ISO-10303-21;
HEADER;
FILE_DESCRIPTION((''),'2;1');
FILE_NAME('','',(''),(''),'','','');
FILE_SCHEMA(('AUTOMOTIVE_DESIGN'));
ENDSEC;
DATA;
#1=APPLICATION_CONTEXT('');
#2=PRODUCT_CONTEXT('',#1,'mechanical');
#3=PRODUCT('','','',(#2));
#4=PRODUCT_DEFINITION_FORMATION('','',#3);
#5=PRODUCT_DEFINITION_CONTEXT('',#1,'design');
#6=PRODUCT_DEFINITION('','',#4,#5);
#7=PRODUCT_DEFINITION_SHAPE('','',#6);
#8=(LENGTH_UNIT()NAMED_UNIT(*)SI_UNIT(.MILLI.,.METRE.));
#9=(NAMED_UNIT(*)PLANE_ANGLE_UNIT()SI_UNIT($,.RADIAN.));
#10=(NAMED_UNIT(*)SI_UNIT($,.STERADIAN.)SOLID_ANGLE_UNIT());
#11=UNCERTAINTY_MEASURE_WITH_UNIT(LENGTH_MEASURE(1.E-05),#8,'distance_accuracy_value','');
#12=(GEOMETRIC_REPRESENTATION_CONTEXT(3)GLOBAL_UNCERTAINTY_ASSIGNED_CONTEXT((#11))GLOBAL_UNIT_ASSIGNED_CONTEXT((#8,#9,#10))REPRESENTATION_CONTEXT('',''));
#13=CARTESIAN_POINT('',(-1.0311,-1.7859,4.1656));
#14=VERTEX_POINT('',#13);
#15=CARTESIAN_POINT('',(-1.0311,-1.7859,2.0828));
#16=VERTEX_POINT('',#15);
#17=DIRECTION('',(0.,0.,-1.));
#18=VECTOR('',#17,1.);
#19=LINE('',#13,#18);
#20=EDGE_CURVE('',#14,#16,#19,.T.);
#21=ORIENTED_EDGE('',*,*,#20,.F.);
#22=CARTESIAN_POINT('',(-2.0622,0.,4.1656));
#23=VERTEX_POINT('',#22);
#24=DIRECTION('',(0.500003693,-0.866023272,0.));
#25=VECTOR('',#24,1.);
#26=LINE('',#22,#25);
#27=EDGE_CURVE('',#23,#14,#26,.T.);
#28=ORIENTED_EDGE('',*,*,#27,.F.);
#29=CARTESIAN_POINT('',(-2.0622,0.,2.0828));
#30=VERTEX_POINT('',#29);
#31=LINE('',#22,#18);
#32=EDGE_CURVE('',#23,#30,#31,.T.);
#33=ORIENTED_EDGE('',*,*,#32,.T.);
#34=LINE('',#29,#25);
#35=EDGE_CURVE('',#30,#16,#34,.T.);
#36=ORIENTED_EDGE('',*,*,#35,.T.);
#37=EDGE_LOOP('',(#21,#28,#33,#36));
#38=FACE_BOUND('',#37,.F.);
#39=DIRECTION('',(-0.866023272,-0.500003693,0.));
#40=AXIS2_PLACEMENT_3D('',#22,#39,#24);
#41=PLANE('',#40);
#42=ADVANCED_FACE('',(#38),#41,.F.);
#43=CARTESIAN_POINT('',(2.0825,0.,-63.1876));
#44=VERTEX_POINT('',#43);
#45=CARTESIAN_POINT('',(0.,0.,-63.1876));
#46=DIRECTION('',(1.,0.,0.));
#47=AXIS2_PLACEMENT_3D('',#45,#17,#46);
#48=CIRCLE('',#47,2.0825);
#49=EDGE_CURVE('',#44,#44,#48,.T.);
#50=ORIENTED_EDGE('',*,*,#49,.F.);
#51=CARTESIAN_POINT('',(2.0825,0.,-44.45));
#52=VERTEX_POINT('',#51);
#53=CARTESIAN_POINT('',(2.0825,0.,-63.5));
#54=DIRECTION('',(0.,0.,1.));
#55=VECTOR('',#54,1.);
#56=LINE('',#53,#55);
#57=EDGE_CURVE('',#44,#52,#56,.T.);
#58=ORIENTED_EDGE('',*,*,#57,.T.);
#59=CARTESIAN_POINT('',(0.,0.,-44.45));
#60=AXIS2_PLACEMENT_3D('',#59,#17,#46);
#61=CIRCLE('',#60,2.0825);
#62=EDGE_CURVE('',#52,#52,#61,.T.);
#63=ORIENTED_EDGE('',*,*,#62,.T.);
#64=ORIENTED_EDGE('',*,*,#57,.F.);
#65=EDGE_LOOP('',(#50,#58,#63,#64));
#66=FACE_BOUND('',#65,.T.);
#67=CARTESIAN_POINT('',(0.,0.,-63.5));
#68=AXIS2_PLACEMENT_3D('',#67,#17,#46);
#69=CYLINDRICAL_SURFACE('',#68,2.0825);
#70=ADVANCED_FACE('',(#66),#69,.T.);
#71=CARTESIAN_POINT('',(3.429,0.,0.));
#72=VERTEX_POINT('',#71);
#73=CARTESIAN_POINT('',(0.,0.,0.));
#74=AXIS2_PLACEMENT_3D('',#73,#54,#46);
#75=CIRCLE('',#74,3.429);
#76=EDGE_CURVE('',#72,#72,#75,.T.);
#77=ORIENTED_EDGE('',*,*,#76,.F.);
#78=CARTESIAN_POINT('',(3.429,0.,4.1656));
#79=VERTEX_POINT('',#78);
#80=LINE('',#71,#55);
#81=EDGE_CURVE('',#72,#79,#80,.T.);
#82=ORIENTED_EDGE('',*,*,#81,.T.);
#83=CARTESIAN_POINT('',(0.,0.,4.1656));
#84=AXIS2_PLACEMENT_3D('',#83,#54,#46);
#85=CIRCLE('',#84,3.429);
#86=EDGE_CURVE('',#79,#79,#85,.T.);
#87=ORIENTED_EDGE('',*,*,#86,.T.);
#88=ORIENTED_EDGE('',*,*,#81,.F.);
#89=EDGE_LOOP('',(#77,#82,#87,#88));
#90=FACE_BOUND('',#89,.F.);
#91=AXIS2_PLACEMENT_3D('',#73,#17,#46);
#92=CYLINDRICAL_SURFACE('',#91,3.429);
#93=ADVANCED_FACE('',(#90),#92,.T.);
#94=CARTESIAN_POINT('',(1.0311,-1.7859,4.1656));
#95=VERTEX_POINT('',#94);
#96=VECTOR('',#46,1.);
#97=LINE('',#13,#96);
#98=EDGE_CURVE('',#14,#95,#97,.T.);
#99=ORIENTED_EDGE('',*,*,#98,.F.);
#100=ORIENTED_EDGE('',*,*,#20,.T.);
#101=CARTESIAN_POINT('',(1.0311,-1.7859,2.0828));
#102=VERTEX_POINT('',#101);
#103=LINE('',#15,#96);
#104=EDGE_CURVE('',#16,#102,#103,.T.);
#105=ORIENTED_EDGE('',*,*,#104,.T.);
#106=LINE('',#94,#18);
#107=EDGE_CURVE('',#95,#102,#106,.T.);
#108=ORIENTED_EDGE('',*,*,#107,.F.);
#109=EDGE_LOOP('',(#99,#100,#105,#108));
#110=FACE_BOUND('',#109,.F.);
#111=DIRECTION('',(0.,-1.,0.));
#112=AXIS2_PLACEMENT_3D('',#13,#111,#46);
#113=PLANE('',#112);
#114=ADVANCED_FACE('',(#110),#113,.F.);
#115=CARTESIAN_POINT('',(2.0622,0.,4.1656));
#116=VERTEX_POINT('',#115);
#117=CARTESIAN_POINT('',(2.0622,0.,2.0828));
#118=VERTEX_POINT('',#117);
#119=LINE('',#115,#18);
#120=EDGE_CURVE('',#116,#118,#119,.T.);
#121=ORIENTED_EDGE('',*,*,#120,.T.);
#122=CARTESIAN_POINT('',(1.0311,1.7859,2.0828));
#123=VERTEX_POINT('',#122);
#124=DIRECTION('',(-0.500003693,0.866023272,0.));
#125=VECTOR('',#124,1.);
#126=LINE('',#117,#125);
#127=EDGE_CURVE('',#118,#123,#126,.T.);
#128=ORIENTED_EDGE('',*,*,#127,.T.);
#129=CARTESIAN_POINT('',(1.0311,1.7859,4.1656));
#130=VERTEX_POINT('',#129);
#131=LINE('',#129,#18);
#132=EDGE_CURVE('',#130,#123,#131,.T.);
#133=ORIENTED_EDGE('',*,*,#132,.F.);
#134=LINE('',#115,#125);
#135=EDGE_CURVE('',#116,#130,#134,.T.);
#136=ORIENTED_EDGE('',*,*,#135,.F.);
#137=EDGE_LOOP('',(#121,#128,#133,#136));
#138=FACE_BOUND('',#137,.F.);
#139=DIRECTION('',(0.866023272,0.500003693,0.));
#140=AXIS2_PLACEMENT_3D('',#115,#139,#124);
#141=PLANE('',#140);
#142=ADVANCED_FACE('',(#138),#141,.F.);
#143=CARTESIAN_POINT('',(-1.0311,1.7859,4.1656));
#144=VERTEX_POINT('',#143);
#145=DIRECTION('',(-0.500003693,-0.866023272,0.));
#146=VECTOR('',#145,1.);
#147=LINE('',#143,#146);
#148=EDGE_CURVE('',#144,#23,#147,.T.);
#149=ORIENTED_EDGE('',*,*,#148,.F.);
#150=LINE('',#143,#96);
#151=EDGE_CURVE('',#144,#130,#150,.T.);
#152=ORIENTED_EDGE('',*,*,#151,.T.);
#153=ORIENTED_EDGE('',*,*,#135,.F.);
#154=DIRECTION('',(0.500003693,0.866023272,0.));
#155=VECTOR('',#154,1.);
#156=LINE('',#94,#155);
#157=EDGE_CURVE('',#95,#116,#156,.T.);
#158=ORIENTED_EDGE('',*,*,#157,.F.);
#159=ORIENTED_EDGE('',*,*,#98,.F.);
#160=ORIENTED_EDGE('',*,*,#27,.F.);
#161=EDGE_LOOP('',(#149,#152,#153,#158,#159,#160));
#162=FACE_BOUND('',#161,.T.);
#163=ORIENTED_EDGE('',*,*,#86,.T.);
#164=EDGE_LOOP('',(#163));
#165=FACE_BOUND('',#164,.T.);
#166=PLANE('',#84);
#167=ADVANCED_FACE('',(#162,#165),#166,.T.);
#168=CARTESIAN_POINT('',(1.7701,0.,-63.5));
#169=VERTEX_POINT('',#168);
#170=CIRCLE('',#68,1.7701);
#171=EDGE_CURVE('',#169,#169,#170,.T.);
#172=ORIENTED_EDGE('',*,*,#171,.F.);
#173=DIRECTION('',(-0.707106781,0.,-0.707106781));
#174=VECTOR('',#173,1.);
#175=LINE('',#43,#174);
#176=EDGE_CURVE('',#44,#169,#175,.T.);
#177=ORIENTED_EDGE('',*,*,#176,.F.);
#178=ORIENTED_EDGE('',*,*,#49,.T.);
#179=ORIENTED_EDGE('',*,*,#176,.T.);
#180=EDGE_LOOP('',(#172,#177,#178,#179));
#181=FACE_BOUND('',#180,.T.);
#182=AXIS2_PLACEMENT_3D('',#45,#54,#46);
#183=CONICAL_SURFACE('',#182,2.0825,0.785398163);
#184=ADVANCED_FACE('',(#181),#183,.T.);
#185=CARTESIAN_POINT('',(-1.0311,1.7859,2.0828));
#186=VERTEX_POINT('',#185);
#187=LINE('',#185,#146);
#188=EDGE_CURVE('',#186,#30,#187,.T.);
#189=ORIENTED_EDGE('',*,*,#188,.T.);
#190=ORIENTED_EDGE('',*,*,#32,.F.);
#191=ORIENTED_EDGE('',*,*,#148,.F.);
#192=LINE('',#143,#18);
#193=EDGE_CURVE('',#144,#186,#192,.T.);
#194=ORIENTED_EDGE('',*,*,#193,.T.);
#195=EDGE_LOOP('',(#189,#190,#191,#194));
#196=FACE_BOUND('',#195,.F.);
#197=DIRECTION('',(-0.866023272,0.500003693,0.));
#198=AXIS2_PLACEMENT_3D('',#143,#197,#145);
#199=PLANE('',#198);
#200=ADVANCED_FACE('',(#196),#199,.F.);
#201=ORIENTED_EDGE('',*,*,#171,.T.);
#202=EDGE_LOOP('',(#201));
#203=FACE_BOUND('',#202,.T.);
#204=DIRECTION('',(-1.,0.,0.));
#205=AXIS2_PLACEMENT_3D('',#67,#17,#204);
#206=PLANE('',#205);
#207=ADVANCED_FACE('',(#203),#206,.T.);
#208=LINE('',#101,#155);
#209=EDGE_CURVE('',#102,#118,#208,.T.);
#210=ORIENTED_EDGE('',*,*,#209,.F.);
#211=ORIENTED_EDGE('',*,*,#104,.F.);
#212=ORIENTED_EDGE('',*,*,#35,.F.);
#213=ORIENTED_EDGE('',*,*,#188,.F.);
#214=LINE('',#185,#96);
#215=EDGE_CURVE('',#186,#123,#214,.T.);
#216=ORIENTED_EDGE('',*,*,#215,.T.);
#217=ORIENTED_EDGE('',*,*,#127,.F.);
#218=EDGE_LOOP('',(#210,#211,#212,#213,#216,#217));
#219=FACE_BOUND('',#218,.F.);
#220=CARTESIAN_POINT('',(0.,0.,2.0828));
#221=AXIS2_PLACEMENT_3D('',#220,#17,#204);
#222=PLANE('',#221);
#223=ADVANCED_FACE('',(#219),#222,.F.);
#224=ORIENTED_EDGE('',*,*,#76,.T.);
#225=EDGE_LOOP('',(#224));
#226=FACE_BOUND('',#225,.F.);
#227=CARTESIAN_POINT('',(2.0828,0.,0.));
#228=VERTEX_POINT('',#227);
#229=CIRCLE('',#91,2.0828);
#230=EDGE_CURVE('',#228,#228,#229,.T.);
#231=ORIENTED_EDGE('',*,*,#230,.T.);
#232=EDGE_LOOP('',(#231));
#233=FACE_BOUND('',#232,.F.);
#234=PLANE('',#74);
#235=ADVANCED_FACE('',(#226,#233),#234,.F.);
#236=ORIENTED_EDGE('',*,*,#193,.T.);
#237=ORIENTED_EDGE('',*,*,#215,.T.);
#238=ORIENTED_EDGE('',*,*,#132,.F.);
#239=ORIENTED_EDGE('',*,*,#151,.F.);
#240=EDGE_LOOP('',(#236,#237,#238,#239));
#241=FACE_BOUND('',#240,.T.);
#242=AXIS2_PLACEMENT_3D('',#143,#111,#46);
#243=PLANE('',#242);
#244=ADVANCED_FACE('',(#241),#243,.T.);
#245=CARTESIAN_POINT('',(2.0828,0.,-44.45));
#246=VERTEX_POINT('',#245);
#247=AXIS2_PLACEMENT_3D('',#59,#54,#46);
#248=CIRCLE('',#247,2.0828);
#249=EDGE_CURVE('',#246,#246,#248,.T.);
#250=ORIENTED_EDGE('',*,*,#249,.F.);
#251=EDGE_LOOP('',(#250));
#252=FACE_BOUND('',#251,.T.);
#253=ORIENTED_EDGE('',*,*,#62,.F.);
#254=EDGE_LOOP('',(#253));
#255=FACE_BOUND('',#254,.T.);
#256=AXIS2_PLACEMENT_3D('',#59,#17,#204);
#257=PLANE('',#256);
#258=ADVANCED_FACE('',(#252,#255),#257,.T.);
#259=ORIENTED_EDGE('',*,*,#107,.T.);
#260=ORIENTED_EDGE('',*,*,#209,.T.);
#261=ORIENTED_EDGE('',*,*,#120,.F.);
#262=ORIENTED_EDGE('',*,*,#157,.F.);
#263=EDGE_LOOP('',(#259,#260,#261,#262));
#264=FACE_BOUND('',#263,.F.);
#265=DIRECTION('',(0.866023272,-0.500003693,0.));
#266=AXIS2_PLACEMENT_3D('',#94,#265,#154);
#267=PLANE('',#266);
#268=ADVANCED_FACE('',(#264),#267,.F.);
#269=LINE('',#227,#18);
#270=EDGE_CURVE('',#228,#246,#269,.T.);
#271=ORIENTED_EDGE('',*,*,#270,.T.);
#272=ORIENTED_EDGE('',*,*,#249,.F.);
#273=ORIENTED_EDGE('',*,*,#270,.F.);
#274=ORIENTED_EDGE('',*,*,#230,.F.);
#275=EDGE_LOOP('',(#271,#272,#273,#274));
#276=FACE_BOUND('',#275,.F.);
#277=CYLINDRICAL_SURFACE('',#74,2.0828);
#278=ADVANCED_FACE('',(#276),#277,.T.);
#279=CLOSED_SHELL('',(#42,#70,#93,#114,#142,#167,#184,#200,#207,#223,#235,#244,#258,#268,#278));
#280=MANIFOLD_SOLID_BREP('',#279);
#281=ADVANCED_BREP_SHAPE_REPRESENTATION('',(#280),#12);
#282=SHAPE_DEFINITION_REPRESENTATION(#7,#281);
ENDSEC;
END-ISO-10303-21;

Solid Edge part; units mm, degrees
sketch "Sketch1" plane through (0, 0, 0) normal (0, 0, 1) x (1, 0, 0)
  circle A0 centre (0, 0) radius 3.429
  dimension "D1" = 6.858
extrude "Protrusion1" add sketch "Sketch1" along normal blind 4.1656
sketch "Sketch2" plane through (0, 0, 0) normal (0, 0, -1) x (1, 0, 0)
  circle A0 centre (0, 0) radius 2.0828
extrude "Protrusion2" add sketch "Sketch2" along normal blind 63.5
sketch "Sketch3" plane through (0, 0, -63.5) normal (0, 0, -1) x (1, 0, 0)
  circle A0 centre (0, 0) radius 2.0825
extrude "Cutout1" cut sketch "Sketch3" against normal blind 19.05 flip side to cut
chamfer "Chamfer_1" distance 0.3124 angle 45 1 edges at (-2.0825, 0, -63.5)
sketch "Sketch4" plane through (0, 0, 4.1656) normal (0, 0, 1) x (1, 0, 0)
  line L0 (-1.0311, 1.7859) -> (1.0311, 1.7859)
  line L1 (2.0622, 0) -> (1.0311, 1.7859)
  line L2 (1.0311, -1.7859) -> (2.0622, 0)
  line L3 (-1.0311, -1.7859) -> (1.0311, -1.7859)
  line L4 (-2.0622, 0) -> (-1.0311, -1.7859)
  line L5 (-1.0311, 1.7859) -> (-2.0622, 0)
  dimension "D1" = 3.5719
extrude "Cutout2" cut sketch "Sketch4" against normal blind 2.0828
properties part number "146462"
